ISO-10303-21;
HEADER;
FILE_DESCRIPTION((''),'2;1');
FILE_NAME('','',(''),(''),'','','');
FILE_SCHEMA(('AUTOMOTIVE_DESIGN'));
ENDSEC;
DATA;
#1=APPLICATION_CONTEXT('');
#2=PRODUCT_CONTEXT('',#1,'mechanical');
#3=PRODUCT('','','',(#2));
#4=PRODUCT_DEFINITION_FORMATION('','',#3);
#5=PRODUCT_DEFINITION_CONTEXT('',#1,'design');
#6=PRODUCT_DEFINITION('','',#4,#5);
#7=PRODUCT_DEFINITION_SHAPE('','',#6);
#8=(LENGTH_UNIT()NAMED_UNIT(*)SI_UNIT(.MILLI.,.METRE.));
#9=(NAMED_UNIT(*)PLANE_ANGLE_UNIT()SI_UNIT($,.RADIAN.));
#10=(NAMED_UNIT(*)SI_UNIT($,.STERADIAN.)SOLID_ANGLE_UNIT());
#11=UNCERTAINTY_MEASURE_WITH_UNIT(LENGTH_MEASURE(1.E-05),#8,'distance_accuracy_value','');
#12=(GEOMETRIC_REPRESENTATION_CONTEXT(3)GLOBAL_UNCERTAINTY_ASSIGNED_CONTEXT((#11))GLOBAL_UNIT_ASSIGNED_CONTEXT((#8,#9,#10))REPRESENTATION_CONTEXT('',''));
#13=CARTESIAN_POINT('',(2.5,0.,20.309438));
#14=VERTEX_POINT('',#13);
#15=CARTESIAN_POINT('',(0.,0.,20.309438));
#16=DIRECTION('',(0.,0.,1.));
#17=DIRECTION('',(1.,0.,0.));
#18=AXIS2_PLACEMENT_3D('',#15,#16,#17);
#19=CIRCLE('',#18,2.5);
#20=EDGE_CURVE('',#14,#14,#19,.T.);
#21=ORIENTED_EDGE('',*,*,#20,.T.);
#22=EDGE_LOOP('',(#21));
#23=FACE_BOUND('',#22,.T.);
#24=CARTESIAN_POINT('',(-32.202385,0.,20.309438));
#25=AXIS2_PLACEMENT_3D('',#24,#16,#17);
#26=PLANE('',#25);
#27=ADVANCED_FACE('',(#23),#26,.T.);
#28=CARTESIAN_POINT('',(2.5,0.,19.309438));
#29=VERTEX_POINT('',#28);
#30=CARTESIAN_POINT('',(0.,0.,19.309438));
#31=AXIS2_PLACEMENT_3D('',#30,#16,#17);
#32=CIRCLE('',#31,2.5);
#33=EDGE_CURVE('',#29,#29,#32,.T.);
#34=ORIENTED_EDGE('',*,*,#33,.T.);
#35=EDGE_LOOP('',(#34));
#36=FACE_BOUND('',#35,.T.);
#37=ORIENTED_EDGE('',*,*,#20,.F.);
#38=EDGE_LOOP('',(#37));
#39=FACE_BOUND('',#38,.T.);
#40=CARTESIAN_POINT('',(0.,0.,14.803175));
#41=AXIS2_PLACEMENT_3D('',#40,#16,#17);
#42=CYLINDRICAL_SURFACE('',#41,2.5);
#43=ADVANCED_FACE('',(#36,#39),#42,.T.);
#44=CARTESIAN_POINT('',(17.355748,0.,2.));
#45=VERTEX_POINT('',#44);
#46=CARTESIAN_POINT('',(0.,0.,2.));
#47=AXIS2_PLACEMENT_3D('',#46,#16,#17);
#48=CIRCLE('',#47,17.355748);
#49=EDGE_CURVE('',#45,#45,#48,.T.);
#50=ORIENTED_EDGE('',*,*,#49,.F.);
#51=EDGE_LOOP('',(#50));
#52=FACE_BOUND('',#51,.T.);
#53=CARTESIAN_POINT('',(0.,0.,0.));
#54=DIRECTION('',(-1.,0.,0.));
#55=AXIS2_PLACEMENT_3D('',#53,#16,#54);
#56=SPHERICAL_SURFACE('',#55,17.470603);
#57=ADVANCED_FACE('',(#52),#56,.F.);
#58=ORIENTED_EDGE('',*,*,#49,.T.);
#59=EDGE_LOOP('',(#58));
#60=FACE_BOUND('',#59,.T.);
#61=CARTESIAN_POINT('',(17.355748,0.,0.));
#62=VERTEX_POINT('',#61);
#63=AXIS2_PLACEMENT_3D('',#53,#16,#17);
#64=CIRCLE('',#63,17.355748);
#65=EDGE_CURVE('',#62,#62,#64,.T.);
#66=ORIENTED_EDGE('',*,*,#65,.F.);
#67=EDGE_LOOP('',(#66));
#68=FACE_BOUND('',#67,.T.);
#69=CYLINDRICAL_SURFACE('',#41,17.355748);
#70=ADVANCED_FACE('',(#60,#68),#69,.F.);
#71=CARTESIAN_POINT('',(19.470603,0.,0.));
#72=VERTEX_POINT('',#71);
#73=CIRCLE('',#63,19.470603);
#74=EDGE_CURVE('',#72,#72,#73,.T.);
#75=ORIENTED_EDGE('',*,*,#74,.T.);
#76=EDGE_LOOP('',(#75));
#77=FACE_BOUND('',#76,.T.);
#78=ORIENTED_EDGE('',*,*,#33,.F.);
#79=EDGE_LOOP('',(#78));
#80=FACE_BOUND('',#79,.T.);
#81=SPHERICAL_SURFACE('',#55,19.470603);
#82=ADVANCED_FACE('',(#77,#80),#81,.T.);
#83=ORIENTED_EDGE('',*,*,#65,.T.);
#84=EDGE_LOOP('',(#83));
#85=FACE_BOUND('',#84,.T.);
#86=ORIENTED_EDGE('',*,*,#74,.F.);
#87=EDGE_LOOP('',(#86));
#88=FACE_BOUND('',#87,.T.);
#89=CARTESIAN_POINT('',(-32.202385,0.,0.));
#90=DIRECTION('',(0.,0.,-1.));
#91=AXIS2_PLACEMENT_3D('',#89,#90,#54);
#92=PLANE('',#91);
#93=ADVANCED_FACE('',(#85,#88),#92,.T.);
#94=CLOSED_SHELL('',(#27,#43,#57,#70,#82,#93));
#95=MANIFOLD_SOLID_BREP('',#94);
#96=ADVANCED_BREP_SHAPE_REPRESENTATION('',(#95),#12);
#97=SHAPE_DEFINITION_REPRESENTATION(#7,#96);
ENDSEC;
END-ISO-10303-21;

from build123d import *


with BuildPart() as part:
    # Sketch1 → Revolve4 (revolve)
    with BuildSketch(Plane(origin=(0, 0, 0), x_dir=(1, 0, 0), z_dir=(0, 1, 0)), mode=Mode.PRIVATE) as revolve4_sk:
        with BuildLine():
            Line((-17.355747805, 0), (-19.470603363, 0))
            ThreePointArc((-19.470603363, 0), (-14.624994081, -12.853557619), (-2.5, -19.309437985))
            Line((-2.5, -19.309437985), (-2.5, -20.309437985))
            Line((-2.5, -20.309437985), (0, -20.309437985))
            Line((0, -20.309437985), (0, -18.309437985))
            Line((0, -18.309437985), (0, -17.470603363))
            ThreePointArc((0, -17.470603363), (-11.624989788, -13.041533433), (-17.355747805, -2))
            Line((-17.355747805, -2), (-17.355747805, 0))
        make_face()
    revolve(revolve4_sk.sketch.rotate(Axis((0, 0, 14.803174713), (0, 0, 1)), 180), axis=Axis((0, 0, 14.803174713), (0, 0, 1)))


solid = part.part
